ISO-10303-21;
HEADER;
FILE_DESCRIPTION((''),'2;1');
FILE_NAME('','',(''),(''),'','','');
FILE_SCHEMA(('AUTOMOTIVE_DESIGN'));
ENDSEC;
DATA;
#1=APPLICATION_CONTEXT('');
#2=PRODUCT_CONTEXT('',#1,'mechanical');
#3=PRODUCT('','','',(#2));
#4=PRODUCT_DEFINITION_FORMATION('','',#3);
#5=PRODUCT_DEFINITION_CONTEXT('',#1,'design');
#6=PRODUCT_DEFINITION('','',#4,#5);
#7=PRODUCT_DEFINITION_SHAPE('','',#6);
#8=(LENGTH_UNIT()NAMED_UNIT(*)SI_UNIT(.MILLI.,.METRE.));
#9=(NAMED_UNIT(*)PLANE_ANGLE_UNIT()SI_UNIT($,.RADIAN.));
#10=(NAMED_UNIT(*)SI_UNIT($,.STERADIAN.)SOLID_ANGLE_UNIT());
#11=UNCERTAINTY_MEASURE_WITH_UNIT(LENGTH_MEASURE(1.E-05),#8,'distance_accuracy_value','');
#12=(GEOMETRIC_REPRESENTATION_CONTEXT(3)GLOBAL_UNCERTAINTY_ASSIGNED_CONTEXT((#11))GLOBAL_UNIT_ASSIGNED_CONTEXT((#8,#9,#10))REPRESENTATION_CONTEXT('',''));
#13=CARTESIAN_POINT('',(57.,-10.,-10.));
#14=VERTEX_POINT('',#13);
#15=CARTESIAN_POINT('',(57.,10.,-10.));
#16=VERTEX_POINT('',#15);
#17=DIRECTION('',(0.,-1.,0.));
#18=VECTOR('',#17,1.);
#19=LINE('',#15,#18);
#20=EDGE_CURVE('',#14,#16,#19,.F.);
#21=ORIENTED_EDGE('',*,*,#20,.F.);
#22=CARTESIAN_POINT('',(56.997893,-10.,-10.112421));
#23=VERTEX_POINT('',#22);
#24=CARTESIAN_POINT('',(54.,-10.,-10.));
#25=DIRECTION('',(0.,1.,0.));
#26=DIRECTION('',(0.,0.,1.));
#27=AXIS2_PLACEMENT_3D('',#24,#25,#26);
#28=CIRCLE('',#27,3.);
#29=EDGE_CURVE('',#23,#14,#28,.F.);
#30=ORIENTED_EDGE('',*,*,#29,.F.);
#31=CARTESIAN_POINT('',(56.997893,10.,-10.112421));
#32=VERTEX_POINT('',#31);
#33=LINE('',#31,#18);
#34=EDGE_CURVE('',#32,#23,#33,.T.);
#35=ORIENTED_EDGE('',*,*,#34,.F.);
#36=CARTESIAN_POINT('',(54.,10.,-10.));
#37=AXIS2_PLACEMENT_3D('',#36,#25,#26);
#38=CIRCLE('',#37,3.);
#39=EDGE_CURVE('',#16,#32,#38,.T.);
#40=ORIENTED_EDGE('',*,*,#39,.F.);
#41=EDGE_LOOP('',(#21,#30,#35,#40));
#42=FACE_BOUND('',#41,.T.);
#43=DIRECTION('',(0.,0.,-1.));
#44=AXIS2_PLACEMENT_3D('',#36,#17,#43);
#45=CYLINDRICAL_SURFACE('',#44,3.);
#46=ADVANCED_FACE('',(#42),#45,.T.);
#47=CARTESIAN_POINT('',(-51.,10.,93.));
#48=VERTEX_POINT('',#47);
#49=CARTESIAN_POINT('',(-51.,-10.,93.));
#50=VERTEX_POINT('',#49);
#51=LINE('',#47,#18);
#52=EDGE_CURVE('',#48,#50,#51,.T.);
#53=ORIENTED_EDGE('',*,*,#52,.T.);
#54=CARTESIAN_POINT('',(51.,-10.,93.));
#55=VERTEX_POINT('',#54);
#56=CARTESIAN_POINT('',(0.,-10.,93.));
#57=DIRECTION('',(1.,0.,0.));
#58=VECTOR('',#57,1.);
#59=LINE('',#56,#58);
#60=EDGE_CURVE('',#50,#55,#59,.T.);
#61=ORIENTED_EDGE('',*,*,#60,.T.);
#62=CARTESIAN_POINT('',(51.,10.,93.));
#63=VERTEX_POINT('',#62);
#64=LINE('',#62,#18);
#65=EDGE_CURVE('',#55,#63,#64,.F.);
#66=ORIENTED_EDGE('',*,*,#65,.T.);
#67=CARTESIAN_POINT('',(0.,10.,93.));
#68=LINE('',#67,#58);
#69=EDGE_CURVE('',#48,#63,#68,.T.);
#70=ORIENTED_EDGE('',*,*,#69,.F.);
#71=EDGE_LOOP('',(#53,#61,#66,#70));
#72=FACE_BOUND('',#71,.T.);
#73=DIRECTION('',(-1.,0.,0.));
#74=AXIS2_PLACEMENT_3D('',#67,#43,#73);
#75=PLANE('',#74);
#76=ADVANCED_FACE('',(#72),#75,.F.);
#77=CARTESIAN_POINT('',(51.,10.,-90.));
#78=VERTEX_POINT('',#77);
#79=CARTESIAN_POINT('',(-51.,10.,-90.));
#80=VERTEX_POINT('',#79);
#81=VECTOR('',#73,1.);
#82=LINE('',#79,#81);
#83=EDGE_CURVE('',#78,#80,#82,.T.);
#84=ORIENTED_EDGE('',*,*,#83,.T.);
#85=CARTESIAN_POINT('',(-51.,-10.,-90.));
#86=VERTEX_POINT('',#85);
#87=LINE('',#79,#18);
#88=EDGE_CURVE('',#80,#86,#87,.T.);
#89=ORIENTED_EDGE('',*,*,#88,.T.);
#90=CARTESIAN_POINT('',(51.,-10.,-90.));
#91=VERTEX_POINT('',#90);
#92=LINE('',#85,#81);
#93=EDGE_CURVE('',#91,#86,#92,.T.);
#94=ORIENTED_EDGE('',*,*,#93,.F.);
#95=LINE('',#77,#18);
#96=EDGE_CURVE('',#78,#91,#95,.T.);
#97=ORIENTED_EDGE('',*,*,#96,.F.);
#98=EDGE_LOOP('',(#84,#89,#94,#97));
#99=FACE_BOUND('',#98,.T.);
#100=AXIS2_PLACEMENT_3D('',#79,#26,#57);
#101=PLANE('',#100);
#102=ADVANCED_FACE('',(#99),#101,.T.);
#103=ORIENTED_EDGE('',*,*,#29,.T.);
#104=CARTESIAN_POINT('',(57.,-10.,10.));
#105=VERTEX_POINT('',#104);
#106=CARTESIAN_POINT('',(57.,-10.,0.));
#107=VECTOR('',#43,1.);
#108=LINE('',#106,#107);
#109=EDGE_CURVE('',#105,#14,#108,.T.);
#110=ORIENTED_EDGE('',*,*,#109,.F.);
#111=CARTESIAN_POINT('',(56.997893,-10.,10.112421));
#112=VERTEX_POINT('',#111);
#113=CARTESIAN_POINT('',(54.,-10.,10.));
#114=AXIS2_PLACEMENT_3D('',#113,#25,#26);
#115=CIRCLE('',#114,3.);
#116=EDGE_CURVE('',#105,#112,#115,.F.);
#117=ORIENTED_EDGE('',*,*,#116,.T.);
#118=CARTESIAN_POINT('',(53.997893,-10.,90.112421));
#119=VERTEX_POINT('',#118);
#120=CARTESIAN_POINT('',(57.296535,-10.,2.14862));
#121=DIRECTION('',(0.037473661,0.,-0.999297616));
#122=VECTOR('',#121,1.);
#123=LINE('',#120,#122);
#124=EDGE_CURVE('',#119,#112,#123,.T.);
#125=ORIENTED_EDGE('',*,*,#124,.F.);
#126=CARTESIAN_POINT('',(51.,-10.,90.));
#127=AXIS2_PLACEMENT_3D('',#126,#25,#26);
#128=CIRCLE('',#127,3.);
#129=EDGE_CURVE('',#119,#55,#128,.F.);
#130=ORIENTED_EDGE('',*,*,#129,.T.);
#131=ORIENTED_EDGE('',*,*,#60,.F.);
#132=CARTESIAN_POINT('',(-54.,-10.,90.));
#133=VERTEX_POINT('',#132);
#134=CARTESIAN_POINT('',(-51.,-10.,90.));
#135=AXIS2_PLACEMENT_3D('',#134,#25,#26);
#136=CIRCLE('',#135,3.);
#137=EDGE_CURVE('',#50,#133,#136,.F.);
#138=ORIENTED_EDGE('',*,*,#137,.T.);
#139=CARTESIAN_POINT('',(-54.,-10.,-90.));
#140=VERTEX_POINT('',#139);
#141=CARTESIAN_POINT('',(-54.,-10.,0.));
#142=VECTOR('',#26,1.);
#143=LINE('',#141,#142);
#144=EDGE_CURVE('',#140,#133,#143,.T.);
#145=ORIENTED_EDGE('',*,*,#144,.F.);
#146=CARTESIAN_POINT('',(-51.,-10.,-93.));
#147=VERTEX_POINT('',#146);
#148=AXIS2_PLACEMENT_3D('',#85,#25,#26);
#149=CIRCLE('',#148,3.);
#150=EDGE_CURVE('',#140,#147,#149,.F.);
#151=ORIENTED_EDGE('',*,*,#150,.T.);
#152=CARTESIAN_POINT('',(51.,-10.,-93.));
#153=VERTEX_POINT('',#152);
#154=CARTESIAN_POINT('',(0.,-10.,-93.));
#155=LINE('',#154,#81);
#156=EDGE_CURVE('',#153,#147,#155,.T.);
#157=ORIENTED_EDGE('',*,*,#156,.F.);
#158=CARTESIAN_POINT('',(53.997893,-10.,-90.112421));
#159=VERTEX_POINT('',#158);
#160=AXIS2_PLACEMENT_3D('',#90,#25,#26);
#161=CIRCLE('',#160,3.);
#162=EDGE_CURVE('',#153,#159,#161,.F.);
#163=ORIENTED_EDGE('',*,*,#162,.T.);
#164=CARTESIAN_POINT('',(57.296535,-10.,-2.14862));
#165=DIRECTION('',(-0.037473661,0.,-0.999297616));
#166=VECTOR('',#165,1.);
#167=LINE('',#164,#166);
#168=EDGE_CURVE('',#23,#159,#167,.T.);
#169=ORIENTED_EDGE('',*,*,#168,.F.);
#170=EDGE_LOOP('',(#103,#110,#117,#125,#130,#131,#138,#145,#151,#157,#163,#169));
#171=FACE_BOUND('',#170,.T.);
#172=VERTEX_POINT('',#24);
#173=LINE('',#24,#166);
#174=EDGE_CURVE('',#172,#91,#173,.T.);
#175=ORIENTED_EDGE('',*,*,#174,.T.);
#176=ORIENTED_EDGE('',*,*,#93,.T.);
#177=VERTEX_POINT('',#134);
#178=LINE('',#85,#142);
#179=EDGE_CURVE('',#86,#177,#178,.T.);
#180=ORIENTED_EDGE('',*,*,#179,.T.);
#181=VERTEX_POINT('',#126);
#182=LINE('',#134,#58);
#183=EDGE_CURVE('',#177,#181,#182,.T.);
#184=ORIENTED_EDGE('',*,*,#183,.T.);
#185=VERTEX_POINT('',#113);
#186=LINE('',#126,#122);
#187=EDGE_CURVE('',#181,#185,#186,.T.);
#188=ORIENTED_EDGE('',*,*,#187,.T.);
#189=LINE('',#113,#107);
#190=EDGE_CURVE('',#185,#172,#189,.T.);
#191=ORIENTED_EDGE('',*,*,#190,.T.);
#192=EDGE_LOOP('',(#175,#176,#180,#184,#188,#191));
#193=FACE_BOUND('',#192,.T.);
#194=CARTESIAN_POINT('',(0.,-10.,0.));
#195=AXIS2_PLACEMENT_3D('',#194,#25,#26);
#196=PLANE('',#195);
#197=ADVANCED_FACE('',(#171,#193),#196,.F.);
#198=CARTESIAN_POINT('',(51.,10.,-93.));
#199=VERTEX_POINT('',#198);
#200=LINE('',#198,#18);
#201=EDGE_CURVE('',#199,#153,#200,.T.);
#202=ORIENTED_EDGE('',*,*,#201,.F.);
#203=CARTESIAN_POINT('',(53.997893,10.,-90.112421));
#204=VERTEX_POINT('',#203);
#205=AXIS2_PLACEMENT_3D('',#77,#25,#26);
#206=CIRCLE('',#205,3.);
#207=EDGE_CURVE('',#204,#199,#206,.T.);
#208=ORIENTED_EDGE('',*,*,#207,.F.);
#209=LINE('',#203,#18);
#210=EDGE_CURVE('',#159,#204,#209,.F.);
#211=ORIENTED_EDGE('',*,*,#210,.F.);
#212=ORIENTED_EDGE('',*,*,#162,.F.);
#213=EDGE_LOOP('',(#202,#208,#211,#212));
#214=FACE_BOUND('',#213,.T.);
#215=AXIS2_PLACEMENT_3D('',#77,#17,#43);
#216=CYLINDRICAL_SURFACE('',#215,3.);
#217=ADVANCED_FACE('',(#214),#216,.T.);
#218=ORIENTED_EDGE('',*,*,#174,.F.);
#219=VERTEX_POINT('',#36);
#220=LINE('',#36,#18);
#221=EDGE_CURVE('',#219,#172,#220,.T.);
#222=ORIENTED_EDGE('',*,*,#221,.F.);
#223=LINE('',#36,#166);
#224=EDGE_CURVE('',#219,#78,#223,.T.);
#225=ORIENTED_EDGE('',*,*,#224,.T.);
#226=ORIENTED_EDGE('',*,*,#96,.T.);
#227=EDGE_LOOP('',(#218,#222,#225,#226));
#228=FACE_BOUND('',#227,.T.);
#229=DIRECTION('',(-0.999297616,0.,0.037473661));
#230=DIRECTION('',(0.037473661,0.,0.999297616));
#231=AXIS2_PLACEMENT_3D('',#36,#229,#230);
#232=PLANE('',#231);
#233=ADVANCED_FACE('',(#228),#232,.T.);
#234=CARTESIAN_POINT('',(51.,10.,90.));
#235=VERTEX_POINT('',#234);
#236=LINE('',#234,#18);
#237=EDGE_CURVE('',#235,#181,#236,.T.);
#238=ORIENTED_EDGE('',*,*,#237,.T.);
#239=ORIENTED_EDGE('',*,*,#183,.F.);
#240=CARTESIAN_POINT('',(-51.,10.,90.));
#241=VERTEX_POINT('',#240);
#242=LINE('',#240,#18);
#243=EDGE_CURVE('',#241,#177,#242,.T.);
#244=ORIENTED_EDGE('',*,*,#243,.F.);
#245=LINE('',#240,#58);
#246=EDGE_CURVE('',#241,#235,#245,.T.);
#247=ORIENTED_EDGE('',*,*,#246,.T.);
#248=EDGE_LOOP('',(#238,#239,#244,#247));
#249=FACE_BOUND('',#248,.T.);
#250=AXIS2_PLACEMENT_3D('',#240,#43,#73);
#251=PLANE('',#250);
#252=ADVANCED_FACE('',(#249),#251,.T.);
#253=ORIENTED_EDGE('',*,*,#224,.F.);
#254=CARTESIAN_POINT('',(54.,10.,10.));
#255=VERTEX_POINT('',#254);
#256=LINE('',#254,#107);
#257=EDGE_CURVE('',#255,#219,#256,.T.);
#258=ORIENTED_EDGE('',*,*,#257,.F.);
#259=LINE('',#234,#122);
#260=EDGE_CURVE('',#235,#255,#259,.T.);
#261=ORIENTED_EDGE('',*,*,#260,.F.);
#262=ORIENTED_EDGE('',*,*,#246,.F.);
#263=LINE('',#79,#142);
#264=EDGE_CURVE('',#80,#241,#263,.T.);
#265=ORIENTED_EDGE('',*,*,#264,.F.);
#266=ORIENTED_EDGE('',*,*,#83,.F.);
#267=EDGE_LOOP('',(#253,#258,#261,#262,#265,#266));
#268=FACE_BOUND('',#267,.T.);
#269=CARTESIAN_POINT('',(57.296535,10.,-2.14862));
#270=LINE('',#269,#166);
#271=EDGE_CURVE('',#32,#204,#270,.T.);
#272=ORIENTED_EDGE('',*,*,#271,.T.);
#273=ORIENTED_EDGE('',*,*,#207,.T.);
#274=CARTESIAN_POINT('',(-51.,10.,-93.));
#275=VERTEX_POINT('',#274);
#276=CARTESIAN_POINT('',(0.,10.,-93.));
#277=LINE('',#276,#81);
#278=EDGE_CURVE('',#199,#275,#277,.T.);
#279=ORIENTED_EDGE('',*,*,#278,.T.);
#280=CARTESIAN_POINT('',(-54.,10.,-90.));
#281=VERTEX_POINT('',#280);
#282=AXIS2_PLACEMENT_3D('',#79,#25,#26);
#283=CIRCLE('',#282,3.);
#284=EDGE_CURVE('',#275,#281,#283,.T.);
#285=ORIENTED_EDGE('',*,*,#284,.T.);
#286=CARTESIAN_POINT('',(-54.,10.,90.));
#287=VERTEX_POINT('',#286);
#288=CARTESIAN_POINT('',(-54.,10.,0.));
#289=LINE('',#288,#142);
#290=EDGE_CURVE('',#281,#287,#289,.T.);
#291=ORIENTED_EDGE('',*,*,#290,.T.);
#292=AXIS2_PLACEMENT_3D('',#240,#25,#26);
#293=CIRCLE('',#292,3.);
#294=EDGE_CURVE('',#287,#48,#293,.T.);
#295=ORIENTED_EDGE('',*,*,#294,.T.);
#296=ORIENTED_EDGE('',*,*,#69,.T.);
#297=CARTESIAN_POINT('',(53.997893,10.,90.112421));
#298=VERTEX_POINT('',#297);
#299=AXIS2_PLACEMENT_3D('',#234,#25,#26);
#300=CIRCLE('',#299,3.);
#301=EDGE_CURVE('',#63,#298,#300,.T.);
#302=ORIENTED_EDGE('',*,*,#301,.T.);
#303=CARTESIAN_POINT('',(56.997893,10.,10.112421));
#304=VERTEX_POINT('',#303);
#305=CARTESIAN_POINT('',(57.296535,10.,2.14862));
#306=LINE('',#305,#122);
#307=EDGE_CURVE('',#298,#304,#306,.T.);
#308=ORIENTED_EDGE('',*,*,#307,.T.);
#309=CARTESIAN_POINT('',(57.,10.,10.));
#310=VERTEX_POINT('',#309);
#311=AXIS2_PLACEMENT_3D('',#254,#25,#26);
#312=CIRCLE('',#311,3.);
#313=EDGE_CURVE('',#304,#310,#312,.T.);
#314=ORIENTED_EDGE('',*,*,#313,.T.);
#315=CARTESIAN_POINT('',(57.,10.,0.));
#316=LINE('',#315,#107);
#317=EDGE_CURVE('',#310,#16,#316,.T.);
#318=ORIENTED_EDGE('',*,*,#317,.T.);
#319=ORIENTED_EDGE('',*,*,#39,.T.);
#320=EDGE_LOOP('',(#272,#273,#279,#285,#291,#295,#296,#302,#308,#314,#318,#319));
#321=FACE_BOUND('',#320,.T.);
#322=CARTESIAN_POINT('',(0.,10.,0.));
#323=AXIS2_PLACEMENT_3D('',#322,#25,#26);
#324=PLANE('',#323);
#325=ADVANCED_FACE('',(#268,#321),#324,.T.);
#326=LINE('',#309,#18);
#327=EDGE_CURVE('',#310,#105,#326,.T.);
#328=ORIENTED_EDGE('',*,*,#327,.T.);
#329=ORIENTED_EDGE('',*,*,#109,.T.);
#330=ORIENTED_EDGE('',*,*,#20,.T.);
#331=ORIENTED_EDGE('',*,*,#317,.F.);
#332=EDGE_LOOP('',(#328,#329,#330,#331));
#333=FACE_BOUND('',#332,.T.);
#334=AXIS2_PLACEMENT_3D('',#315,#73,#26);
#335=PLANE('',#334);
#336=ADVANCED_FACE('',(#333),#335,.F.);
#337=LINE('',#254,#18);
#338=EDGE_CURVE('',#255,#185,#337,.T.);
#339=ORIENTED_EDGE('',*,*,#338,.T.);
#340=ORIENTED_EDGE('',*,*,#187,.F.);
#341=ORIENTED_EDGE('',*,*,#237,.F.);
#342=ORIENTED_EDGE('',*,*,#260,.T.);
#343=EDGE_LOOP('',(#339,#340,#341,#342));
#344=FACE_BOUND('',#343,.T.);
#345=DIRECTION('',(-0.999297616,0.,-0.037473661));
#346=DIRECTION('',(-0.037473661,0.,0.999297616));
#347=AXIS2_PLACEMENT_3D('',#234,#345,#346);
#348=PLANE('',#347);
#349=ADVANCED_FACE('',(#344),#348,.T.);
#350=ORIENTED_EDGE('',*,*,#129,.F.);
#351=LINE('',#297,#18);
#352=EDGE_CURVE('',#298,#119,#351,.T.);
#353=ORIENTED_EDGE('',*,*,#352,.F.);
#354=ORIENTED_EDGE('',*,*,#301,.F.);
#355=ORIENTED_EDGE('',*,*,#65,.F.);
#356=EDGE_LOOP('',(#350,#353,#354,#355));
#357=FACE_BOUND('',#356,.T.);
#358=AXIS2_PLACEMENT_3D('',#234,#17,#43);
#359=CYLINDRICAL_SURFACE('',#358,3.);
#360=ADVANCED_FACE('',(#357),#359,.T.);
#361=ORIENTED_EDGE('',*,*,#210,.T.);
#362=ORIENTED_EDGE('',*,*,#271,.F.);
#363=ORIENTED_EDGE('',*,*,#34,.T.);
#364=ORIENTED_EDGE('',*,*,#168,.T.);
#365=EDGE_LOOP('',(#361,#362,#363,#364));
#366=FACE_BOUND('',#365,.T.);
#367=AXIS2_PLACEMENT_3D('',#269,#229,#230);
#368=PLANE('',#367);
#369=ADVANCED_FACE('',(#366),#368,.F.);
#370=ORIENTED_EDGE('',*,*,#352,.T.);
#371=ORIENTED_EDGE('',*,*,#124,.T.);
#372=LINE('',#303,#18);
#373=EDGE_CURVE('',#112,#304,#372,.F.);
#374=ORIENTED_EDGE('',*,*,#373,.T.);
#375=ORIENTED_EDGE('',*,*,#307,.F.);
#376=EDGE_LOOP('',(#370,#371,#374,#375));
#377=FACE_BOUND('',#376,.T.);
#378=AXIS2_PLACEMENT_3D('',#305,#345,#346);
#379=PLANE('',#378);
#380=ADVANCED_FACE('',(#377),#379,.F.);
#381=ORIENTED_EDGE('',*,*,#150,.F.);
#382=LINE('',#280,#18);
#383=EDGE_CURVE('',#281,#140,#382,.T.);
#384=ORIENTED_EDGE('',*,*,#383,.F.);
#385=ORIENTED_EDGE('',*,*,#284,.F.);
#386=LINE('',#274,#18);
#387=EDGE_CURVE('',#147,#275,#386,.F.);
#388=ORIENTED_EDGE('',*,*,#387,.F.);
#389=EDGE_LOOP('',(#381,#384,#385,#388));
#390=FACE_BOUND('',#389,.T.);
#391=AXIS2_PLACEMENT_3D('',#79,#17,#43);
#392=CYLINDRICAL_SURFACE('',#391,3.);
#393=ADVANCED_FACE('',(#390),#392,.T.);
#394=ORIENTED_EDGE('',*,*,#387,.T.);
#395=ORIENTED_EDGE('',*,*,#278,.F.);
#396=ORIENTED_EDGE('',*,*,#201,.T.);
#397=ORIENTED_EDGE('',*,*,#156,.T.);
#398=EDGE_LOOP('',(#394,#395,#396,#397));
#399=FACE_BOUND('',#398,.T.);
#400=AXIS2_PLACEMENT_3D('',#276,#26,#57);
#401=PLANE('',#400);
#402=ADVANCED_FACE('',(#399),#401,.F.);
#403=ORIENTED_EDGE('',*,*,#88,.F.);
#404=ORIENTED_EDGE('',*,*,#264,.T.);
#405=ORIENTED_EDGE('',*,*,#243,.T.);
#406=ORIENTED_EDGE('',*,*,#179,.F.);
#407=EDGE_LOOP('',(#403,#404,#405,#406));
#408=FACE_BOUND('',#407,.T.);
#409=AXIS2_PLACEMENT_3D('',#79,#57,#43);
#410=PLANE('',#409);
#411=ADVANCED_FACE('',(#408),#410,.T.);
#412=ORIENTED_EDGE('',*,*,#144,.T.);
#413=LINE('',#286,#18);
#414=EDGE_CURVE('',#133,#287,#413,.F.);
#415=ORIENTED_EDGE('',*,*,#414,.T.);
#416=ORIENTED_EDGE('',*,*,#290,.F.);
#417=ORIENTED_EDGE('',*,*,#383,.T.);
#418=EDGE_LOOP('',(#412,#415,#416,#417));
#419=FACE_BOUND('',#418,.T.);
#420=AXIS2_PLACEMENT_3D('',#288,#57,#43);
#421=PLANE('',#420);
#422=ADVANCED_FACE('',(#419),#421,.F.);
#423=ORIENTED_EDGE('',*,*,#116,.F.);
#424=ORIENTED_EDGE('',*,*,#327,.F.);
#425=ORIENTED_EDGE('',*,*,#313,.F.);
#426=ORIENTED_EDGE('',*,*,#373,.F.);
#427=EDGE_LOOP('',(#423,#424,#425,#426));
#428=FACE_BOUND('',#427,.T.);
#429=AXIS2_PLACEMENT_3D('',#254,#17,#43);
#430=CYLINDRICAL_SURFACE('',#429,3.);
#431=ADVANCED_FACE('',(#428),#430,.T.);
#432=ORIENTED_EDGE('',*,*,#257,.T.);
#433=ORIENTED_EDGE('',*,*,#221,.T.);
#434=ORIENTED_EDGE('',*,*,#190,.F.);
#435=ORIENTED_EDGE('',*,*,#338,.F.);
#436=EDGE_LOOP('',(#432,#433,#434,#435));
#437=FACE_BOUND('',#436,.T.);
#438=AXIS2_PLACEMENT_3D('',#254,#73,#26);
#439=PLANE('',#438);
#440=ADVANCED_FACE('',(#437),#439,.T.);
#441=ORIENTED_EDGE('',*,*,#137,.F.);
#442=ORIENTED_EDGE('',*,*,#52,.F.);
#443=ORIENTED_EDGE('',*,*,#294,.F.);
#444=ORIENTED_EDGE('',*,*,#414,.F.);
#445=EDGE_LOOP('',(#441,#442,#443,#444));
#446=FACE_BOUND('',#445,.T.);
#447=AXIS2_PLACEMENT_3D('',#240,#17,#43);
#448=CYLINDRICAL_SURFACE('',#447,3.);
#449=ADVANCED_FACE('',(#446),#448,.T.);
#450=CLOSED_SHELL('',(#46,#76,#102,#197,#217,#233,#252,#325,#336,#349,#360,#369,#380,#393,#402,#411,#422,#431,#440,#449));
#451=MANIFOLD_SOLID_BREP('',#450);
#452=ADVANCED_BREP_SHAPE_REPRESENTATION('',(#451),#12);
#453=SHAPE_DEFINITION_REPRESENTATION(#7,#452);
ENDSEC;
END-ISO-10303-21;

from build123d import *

# Parameters (mm, degrees)
EXTRUDE_THIN1_DEPTH = 10
FILLET1_R           = 3


with BuildPart() as part:
    # Sketch1 → Extrude-Thin1 (new, symmetric)
    with BuildSketch(Plane(origin=(0, 0, 0), x_dir=(1, 0, 0), z_dir=(0, 1, 0))):
        Polygon((57, 10.056230239), (57, -10.056230239), (53.889608634, -93), (-54, -93), (-54, 93), (53.889608634, 93), align=None)
        Polygon((54, 10), (54, -10), (51, -90), (-51, -90), (-51, 90), (51, 90), align=None, mode=Mode.SUBTRACT)
    extrude(amount=EXTRUDE_THIN1_DEPTH, both=True)

    # Fillet1
    fillet1_edges = [part.edges().sort_by_distance(p)[0] for p in [
        (57, 0, 10.056230239),
        (53.889608634, 0, 93),
        (-54, 0, 93),
        (-54, 0, -93),
        (53.889608634, 0, -93),
        (57, 0, -10.056230239),
    ]]
    fillet(fillet1_edges, radius=FILLET1_R)


solid = part.part
